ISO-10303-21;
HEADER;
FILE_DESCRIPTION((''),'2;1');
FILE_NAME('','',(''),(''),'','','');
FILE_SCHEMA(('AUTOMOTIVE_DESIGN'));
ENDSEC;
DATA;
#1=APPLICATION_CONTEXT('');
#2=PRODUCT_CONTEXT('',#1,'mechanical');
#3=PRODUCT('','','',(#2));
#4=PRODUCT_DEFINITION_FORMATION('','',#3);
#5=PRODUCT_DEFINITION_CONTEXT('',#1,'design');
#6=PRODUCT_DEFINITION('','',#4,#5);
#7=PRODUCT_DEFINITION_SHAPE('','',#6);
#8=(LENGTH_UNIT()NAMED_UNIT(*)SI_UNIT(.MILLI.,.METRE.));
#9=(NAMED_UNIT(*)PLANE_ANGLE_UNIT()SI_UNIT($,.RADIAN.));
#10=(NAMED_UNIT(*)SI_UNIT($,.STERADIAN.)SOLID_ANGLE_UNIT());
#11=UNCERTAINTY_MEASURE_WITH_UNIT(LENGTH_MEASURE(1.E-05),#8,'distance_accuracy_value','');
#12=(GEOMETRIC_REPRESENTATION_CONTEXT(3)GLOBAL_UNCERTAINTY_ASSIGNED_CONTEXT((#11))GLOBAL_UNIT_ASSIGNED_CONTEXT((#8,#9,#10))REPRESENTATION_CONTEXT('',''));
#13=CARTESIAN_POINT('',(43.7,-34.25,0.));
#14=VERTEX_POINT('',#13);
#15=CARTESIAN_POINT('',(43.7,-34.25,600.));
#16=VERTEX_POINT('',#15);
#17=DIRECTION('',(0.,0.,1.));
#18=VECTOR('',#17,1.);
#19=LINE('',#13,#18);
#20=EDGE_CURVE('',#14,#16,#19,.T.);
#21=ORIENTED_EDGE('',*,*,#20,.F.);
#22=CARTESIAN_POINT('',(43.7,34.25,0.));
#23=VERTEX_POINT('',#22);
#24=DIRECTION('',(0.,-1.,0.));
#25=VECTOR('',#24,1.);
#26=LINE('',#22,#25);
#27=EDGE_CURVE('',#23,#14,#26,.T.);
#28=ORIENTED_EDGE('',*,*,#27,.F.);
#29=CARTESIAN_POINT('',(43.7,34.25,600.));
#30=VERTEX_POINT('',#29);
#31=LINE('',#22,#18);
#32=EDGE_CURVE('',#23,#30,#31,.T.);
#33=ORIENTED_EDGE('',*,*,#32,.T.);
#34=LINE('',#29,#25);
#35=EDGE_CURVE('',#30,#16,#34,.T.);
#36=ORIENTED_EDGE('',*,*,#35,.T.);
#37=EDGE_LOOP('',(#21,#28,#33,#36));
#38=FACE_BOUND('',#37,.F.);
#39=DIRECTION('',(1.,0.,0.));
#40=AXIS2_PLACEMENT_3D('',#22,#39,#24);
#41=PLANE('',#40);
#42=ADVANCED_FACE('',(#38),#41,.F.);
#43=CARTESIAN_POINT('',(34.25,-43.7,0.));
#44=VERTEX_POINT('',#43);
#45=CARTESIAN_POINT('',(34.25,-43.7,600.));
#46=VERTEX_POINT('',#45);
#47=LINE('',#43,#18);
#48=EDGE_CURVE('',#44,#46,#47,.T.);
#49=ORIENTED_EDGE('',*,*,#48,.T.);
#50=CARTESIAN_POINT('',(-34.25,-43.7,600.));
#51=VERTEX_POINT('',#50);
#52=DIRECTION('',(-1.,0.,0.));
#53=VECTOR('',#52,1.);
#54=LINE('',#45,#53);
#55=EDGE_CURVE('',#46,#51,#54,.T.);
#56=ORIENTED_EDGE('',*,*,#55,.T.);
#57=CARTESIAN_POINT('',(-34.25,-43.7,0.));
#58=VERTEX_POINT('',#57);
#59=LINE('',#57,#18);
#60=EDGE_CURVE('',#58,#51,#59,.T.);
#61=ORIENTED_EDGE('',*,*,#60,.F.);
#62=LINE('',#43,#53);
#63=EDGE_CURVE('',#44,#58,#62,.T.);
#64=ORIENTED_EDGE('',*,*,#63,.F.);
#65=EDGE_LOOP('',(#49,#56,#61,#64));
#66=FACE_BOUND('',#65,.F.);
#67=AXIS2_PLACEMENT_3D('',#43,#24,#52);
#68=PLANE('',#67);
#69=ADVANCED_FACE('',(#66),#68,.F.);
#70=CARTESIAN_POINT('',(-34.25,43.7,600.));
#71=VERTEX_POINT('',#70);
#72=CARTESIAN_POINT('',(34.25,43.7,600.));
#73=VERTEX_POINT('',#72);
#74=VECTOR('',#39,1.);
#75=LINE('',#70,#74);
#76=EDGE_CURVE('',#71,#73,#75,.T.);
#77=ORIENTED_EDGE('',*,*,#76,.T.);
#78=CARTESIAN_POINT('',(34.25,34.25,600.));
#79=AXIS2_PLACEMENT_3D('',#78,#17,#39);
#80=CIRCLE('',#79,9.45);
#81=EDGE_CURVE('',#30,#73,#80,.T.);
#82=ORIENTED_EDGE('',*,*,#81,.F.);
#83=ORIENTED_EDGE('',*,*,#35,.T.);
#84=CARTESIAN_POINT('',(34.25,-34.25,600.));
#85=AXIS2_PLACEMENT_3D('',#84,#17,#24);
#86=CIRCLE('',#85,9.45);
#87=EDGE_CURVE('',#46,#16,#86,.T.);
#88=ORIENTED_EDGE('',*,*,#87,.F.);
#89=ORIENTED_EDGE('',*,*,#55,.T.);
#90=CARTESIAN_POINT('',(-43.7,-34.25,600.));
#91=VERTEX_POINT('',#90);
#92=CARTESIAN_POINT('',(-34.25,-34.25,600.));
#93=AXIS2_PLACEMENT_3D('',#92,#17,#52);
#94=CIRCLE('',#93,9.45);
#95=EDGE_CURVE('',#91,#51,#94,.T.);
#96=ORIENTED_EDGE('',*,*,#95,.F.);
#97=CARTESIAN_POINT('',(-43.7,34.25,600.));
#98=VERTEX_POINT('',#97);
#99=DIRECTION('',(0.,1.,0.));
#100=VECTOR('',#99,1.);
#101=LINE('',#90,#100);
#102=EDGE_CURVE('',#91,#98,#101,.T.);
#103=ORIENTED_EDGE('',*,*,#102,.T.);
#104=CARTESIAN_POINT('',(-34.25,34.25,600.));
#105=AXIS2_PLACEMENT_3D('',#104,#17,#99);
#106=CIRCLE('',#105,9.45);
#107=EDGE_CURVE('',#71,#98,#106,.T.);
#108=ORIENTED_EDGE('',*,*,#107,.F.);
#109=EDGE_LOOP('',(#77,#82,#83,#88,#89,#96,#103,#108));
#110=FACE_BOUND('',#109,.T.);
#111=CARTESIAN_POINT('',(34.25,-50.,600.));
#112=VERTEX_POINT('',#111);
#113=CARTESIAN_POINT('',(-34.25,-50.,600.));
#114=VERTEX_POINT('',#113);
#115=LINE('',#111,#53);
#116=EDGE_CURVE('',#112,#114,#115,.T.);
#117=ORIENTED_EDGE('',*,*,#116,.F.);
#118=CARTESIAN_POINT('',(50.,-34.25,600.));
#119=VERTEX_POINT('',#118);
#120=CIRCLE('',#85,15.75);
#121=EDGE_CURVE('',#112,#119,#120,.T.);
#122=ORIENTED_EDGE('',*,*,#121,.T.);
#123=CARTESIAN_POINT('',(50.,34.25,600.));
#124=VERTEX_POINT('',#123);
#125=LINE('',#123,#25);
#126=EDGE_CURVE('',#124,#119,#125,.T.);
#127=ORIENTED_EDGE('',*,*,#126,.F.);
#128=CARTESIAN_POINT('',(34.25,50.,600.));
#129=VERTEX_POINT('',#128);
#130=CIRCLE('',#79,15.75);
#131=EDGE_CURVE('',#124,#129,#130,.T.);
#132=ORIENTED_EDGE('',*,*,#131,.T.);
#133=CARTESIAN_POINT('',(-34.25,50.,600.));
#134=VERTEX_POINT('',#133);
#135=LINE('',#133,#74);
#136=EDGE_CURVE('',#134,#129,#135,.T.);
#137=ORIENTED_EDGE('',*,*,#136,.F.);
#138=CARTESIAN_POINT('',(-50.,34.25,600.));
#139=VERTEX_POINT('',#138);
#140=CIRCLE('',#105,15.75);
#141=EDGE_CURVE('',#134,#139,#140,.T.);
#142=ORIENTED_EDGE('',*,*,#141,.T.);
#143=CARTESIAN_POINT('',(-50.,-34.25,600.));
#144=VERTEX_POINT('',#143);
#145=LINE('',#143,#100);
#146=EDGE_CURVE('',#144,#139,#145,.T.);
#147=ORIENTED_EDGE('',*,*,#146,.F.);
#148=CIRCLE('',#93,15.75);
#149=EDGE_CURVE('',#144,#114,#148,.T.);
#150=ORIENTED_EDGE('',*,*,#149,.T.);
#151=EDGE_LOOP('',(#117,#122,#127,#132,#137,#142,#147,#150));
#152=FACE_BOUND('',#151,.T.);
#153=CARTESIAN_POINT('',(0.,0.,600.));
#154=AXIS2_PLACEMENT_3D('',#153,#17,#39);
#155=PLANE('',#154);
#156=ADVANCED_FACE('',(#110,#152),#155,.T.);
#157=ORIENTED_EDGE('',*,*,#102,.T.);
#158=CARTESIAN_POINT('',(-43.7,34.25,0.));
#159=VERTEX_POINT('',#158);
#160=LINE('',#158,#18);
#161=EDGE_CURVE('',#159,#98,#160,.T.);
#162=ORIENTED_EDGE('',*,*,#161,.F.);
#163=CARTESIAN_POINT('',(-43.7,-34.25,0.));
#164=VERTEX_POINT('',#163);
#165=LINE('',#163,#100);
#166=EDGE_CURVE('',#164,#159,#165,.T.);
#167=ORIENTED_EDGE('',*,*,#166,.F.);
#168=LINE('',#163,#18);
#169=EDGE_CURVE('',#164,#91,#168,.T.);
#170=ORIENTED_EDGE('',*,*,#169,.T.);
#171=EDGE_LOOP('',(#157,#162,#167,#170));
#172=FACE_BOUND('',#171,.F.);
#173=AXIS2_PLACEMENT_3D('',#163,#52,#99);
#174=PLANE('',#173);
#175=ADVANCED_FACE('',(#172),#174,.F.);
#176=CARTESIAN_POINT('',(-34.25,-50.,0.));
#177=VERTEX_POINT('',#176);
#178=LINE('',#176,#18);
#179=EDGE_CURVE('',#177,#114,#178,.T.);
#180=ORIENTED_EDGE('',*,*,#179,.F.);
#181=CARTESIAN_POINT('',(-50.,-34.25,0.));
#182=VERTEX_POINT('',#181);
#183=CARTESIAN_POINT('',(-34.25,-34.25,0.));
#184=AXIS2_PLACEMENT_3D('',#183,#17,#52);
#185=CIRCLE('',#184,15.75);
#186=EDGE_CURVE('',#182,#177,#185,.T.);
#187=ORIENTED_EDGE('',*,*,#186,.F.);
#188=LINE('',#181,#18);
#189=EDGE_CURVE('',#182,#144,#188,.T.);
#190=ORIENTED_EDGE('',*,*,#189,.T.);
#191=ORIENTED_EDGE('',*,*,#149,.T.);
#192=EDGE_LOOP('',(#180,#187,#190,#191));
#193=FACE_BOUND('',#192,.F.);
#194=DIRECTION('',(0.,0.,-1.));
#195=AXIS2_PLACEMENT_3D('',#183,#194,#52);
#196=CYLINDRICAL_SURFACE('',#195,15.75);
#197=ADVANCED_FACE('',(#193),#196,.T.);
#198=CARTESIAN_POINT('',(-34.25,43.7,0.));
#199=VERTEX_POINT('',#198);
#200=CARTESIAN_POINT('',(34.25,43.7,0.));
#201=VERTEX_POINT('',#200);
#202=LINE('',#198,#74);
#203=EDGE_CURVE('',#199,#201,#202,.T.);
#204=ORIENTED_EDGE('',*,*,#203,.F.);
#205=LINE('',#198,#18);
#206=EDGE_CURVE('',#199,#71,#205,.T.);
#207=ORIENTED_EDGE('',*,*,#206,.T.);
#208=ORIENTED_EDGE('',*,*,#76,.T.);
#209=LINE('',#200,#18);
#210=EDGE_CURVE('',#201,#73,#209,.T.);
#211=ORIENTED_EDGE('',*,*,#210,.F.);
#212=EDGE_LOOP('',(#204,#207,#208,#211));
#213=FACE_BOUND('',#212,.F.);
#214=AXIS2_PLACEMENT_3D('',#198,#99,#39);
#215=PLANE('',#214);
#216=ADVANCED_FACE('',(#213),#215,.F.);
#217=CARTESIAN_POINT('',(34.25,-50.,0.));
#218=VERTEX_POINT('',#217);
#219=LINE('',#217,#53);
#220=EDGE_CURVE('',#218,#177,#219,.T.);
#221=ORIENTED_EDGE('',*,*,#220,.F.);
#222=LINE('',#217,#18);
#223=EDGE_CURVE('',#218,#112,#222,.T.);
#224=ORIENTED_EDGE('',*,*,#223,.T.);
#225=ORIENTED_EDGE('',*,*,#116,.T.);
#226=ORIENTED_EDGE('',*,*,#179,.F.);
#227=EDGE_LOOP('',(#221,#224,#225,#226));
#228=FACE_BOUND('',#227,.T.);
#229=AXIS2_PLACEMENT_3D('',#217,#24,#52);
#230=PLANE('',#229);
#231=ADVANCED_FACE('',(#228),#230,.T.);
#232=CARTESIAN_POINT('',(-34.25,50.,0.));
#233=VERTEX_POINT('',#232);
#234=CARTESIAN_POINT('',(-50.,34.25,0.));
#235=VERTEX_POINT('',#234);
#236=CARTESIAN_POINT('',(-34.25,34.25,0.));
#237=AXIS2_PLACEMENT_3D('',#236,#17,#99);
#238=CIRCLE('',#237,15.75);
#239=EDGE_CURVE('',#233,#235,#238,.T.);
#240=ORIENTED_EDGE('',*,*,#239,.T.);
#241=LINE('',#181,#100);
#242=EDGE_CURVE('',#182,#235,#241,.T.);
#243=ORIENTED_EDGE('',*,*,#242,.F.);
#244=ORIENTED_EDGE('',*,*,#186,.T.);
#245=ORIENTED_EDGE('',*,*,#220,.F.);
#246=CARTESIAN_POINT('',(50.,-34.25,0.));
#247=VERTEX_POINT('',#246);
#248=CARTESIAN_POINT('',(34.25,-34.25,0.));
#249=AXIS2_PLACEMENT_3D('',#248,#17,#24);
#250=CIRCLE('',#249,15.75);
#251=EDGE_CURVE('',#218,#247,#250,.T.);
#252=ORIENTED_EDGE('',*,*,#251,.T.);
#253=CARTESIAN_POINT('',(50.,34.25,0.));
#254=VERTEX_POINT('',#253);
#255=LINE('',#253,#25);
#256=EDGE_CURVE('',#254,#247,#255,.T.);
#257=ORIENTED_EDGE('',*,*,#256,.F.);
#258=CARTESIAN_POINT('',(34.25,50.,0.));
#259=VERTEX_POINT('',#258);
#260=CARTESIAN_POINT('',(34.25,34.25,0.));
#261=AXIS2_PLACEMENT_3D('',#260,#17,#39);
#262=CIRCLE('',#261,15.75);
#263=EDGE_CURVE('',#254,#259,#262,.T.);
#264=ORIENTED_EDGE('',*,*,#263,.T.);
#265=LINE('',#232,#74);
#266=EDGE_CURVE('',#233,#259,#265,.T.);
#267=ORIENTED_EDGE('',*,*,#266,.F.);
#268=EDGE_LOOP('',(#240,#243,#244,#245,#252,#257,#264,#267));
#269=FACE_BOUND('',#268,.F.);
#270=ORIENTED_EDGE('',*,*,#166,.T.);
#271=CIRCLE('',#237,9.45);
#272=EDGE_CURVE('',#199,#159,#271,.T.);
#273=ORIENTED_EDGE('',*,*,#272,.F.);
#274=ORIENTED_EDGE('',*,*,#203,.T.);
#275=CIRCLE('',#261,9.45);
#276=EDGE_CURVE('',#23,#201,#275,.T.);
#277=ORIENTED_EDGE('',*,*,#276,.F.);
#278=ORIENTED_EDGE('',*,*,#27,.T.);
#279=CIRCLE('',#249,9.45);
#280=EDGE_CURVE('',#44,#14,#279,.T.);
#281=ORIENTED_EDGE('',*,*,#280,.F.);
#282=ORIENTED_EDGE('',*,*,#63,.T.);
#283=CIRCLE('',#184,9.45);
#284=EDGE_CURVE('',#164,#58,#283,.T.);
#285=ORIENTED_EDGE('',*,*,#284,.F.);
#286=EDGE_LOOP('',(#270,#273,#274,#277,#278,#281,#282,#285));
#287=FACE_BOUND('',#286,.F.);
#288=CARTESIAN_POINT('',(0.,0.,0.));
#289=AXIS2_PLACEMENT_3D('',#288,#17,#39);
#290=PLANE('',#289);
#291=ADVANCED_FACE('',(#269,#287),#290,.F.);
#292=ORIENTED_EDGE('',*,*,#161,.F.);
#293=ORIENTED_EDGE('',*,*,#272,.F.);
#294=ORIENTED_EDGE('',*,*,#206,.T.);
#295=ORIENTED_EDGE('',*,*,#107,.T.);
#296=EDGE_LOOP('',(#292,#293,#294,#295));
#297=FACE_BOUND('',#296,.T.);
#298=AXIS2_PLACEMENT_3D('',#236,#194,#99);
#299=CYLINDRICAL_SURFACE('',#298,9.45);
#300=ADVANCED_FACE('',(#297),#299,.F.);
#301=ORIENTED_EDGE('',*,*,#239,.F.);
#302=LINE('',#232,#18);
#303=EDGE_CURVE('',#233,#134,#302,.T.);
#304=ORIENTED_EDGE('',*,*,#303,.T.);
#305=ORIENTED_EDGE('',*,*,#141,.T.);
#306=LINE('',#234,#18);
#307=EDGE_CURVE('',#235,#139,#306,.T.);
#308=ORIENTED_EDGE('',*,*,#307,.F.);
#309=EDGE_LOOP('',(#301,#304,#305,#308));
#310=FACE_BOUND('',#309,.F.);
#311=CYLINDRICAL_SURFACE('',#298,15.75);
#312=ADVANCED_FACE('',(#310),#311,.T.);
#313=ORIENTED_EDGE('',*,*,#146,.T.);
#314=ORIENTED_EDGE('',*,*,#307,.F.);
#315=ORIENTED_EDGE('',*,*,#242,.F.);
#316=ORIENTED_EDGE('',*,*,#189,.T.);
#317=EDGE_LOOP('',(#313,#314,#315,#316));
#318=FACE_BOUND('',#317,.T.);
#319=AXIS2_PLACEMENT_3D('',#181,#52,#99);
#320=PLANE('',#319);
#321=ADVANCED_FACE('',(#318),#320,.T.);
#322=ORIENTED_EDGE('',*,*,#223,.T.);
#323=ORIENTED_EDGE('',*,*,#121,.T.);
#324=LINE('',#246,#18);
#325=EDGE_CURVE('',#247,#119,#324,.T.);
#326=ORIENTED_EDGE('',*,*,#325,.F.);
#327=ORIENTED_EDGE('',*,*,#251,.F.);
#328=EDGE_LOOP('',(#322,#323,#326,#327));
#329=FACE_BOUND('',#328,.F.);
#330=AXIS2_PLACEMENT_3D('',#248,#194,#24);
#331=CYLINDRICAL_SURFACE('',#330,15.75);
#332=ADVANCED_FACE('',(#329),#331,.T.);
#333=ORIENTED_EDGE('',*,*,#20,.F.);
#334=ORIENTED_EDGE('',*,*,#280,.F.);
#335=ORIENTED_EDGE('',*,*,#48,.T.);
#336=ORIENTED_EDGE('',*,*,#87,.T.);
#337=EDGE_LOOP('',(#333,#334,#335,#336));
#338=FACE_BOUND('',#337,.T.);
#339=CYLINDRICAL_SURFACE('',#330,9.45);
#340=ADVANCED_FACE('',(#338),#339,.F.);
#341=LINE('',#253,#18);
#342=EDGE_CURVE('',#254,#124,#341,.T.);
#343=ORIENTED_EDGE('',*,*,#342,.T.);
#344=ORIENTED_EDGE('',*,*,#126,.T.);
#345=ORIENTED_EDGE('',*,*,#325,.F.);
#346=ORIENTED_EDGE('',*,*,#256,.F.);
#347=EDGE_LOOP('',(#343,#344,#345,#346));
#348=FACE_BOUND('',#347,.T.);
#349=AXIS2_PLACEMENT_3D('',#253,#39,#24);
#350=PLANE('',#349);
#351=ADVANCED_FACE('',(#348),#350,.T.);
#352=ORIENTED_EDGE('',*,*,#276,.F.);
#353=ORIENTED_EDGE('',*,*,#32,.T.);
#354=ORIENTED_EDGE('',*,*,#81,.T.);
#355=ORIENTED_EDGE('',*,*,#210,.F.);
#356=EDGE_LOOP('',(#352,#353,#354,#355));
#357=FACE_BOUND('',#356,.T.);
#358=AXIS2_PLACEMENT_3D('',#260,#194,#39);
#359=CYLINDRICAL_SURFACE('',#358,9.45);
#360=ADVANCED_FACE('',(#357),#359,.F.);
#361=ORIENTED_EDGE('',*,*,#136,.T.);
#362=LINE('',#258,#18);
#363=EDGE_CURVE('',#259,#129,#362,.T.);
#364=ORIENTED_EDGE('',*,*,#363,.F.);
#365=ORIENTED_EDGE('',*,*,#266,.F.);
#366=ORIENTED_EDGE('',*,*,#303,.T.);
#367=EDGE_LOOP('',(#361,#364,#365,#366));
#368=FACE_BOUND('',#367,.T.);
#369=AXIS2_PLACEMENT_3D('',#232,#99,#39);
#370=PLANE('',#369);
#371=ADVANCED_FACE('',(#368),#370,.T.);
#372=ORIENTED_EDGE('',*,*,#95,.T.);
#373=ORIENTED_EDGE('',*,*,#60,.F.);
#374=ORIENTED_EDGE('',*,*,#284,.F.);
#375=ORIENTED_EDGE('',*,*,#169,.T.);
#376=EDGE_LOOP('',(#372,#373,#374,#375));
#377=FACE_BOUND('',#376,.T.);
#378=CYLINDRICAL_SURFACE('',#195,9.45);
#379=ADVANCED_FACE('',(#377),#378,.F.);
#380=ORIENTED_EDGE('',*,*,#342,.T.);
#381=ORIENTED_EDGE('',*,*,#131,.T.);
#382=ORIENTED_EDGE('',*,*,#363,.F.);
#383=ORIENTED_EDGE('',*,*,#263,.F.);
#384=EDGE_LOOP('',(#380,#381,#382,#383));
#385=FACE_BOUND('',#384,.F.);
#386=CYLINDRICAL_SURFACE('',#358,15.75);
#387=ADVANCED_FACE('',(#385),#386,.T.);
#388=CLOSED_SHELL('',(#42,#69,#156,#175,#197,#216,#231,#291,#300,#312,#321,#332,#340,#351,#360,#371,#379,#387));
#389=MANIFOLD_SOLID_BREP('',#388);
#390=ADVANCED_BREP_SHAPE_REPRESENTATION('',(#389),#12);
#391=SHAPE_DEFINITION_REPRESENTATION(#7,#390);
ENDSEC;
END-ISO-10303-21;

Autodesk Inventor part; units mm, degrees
ref_plane "YZ Plane" through (0, 0, 0) normal (1, 0, 0) x (0, 1, 0)
ref_plane "Start Plane" through (0, 0, 0) normal (0, 0, 1) x (1, 0, 0)
ref_plane "End Plane" through (0, 0, 600) normal (0, 0, 1) x (1, 0, 0)
sketch "Sketch" plane through (0, 0, 0) normal (0, 0, 1) x (1, 0, 0)
  line L0 (-50, -34.25) -> (-50, 34.25)
  line L1 (-34.25, 50) -> (34.25, 50)
  line L2 (50, 34.25) -> (50, -34.25)
  line L3 (34.25, -50) -> (-34.25, -50)
  arc A0 (-50, -34.25) -> (-34.25, -50) centre (-34.25, -34.25) ccw
  arc A1 (50, 34.25) -> (34.25, 50) centre (34.25, 34.25) ccw
  arc A2 (-34.25, 50) -> (-50, 34.25) centre (-34.25, 34.25) ccw
  arc A3 (34.25, -50) -> (50, -34.25) centre (34.25, -34.25) ccw
  arc A4 (-34.25, 43.7) -> (-43.7, 34.25) centre (-34.25, 34.25) ccw
  line L4 (-34.25, 43.7) -> (34.25, 43.7)
  arc A5 (43.7, 34.25) -> (34.25, 43.7) centre (34.25, 34.25) ccw
  line L5 (43.7, 34.25) -> (43.7, -34.25)
  arc A6 (34.25, -43.7) -> (43.7, -34.25) centre (34.25, -34.25) ccw
  line L6 (34.25, -43.7) -> (-34.25, -43.7)
  arc A7 (-43.7, -34.25) -> (-34.25, -43.7) centre (-34.25, -34.25) ccw
  line L7 (-43.7, -34.25) -> (-43.7, 34.25)
  line L8 (0, 74.5667) -> (0, -74.5667) construction
  line L9 (-74.5667, 0) -> (74.5667, 0) construction
  dimension "d7" = 15.75
  dimension "d9" = 100
  dimension "d11" = 100
  dimension "d12" = 6.3
  dimension "d15" = 50
  dimension "d16" = 50
extrude "Body" add sketch "Sketch" along normal up to surface (600 mm away) from surface at 0
sketch "Sketch3" plane through (0, 0, 0) normal (0, 0, 1) x (1, 0, 0)
  line L0 (0, 0) -> (10, 0)
ref_plane "Work Plane3" through (0, 0, 0) normal (0, -1, 0) x (1, 0, 0)
sketch "Sketch4" plane through (0, 0, 0) normal (0, -1, 0) x (1, 0, 0)
  line L0 (-2, 0) -> (12, 0)
  line L1 (-2, 600) -> (12, 600)
  dimension "d18" = 600
equation "\"d7\" = G_IR"
equation "\"d9\" = G_W"
equation "\"d11\" = G_H"
equation "\"d12\" = G_T"
equation "\"d15\" = 0.5 * d9"
equation "\"d16\" = 0.5 * d11"
equation "\"d3\" = G_L"
equation "\"G_W\" = 100"
equation "\"G_H\" = 100"
equation "\"G_T\" = 6.3"
equation "\"G_IR\" = 15.75"
equation "\"G_L\" = d18"
equation "\"G_OFFSET_START\" = 0"
equation "\"G_OFFSET_END\" = 0"
equation "\"d14\" = G_OFFSET_END + B_L"
equation "\"B_L\" = 600"
properties part number "ISO 4019 - 100x100x6.3 - 600" material "Steel, Mild"
